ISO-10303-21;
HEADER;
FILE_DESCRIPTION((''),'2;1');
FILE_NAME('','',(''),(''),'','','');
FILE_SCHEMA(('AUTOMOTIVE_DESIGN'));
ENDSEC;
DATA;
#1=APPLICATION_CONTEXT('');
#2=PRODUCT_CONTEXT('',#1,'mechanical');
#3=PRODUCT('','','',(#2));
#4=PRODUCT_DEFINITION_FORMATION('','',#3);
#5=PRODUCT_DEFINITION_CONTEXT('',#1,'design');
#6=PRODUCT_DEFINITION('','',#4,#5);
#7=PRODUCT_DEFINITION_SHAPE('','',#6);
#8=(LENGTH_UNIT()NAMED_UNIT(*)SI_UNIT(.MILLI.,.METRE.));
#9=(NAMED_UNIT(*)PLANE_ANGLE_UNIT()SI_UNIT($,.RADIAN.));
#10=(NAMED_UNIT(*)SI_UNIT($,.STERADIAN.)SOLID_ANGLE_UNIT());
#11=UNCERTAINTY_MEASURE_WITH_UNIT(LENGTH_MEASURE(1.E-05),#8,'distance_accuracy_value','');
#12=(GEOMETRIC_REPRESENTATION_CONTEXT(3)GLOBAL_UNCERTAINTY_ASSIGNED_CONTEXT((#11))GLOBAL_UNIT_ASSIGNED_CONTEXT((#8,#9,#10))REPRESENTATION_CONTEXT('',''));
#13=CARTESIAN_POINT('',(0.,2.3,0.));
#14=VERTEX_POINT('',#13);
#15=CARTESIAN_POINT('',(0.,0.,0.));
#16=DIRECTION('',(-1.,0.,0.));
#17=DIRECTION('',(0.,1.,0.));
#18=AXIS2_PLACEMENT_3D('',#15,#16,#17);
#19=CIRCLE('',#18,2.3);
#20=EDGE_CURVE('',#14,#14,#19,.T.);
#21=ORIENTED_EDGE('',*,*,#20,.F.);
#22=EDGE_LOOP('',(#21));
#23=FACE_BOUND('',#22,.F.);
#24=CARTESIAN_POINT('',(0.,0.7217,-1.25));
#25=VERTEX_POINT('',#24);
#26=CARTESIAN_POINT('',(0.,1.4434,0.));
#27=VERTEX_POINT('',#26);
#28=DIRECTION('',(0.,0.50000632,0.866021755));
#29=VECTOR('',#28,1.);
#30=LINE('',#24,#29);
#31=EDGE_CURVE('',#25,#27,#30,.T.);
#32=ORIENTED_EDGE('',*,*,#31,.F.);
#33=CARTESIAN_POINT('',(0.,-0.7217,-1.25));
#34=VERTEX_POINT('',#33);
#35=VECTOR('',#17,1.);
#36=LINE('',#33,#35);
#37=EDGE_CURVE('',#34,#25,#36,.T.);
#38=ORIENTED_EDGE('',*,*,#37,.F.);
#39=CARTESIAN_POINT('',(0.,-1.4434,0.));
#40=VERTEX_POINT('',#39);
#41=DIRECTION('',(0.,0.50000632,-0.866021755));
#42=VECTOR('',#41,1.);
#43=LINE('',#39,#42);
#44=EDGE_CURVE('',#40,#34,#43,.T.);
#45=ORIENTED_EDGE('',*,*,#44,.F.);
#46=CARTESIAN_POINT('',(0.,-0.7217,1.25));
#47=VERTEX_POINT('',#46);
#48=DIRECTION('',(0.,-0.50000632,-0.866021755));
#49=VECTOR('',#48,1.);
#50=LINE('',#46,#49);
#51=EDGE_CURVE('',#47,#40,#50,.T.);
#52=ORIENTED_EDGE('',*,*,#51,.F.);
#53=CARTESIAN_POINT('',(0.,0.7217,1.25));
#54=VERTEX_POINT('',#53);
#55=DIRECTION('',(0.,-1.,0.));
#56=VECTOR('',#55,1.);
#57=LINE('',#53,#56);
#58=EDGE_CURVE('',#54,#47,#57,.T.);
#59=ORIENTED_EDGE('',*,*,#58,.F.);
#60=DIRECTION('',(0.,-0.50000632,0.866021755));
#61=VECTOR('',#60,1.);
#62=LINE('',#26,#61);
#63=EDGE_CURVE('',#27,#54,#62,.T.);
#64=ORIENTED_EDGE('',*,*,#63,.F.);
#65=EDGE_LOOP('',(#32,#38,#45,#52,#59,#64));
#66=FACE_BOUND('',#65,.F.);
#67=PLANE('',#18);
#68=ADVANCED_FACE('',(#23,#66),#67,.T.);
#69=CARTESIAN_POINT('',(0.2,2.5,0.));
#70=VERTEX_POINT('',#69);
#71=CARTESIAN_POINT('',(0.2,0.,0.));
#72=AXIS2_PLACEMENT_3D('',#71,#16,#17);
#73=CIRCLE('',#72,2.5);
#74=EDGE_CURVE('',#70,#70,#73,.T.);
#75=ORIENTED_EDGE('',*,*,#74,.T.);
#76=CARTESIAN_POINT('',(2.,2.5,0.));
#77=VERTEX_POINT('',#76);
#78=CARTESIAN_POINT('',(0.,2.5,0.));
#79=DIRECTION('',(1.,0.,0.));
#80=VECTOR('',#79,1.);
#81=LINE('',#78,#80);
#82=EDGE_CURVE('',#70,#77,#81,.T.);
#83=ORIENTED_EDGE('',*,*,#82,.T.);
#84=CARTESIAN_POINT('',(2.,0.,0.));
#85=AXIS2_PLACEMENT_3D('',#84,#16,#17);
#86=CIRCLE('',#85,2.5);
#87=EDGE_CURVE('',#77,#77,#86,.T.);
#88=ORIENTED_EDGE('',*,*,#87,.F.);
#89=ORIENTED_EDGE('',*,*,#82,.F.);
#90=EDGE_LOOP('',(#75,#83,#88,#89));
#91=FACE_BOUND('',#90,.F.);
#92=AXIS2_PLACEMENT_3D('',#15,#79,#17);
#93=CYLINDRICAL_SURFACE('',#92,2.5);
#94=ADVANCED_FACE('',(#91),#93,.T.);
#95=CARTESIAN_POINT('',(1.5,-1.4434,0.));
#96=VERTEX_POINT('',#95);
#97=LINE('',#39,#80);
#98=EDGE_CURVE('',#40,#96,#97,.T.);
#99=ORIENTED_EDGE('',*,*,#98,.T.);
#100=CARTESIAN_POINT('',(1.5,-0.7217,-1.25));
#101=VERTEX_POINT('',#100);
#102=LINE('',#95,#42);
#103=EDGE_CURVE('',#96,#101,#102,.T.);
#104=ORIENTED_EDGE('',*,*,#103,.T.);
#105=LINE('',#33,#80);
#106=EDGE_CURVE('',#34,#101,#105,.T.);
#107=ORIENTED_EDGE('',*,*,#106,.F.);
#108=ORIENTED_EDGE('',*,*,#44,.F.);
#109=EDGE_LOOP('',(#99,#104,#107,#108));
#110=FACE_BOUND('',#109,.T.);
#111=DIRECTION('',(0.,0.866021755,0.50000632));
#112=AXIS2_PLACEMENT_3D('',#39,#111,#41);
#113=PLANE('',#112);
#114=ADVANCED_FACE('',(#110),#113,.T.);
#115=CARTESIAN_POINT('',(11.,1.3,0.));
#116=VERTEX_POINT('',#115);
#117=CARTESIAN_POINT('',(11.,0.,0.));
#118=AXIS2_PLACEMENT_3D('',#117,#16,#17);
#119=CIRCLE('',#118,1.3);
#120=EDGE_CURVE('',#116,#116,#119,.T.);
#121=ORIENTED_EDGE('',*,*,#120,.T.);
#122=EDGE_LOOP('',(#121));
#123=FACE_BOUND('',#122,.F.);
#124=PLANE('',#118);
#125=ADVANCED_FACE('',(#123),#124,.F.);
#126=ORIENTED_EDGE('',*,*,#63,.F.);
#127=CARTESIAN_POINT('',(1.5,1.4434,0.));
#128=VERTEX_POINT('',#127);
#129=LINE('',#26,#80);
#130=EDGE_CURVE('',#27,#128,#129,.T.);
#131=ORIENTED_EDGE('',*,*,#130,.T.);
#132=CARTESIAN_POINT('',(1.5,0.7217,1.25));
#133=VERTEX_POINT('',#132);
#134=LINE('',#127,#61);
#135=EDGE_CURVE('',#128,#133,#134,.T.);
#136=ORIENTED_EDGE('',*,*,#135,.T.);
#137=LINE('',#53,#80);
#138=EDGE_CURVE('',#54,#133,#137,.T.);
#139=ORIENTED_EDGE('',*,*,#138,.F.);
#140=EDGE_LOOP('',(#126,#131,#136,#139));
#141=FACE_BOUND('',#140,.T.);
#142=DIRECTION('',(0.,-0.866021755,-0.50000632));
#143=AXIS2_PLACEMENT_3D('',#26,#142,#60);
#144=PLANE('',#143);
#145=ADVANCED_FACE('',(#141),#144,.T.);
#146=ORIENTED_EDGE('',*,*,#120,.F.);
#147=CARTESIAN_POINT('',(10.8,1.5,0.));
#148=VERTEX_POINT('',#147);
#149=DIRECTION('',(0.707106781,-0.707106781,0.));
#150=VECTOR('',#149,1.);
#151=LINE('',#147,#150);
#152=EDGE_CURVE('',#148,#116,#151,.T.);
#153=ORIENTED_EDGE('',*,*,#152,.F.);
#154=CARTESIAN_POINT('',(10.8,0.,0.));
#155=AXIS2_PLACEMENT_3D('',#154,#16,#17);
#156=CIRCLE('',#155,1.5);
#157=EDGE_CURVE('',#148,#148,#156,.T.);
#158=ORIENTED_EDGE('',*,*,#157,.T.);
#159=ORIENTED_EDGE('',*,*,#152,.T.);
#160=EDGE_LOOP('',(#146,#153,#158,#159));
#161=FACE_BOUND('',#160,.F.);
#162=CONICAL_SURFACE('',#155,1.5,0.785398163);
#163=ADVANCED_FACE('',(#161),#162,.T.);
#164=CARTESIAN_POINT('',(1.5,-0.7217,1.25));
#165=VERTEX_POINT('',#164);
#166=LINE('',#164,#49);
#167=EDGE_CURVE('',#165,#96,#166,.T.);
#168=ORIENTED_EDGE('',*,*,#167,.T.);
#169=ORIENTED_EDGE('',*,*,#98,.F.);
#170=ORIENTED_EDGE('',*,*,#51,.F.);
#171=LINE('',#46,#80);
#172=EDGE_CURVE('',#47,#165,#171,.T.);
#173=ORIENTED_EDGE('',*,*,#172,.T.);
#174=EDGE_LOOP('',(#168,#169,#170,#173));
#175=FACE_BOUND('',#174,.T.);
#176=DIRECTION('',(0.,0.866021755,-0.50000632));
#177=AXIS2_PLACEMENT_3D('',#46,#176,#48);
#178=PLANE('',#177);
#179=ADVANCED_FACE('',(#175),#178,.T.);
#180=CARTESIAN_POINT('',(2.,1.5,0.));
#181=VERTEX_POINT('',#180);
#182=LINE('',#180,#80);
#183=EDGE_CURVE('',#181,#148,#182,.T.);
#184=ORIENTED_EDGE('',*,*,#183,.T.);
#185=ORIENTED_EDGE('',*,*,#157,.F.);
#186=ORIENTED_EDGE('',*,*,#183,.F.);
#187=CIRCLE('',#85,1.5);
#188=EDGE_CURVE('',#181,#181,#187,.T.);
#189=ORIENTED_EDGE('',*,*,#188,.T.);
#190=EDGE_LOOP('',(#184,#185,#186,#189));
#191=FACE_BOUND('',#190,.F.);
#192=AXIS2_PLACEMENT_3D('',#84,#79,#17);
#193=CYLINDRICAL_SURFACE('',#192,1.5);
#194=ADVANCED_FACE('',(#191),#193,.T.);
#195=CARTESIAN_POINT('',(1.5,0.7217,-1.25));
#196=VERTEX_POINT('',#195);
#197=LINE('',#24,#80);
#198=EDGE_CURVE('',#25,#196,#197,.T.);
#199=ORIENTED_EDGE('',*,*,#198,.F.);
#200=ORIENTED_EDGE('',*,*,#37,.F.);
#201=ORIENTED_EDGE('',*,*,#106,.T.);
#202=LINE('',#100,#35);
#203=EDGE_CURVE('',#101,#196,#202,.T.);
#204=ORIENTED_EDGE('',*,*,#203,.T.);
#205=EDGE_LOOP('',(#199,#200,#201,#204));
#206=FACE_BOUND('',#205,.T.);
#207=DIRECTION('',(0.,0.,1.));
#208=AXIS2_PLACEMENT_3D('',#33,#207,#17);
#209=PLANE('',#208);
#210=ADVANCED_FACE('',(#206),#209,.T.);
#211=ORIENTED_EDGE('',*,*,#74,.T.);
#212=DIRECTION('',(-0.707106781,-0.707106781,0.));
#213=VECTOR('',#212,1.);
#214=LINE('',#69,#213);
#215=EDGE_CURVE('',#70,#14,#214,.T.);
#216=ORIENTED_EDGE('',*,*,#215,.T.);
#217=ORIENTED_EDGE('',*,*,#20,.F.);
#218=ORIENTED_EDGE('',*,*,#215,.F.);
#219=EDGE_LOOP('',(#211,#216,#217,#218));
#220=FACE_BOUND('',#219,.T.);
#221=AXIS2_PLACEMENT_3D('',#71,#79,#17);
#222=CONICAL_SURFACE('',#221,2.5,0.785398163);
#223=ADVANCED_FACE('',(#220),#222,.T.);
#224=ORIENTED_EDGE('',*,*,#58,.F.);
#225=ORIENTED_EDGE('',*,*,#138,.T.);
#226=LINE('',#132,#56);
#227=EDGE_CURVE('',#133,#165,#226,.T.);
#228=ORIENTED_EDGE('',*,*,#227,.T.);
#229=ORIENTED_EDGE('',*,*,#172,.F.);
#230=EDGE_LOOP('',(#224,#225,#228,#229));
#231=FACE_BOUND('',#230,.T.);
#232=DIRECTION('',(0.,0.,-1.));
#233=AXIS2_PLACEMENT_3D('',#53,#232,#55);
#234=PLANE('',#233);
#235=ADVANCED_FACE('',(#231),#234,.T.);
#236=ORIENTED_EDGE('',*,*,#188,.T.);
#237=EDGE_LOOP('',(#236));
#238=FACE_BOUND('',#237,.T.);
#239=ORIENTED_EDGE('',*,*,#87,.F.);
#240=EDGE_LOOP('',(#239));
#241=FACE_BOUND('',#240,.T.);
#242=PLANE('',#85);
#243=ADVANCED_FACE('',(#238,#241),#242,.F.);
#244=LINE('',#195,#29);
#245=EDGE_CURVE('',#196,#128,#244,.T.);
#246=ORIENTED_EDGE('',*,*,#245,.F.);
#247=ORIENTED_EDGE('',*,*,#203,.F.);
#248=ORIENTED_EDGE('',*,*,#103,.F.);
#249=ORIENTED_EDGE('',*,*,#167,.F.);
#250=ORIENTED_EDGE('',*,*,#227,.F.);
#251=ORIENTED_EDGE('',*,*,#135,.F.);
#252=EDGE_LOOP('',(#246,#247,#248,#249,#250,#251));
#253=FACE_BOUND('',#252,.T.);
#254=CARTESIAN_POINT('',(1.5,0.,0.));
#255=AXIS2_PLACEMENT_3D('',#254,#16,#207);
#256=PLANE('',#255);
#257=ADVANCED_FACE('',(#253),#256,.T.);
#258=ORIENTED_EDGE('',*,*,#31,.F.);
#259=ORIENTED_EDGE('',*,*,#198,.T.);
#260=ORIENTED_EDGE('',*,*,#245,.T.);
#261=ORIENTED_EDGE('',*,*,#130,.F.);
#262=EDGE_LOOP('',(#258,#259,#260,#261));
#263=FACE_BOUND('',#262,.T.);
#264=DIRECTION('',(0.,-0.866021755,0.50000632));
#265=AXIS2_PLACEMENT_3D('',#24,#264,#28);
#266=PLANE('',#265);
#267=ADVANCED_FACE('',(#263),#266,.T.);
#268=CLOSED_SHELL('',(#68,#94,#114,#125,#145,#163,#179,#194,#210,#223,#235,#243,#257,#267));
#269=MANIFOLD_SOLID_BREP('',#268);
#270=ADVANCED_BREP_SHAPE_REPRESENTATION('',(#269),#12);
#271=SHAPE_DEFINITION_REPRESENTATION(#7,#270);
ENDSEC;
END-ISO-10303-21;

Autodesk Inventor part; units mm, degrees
ref_plane "YZ Plane" through (0, 0, 0) normal (1, 0, 0) x (0, 1, 0)
ref_plane "XZ Plane" through (0, 0, 0) normal (0, 1, 0) x (-1, 0, 0)
ref_plane "XY Plane" through (0, 0, 0) normal (0, 0, 1) x (1, 0, 0)
sketch "Sketch15" plane through (0, 0, 0) normal (0, 0, 1) x (1, 0, 0)
  line L0 (0, 0) -> (0, 2.5)
  line L1 (0, 2.5) -> (2, 2.5)
  line L2 (3, 4.4) -> (3, 4.4)
  line L3 (2, 1.5) -> (11, 1.5)
  line L4 (11, 0) -> (0, 0)
  line L5 (11, 0) -> (7.2, 0)
  line L6 (2, 1.5) -> (2, 2.5)
  line L7 (11, 1.5) -> (11, 0)
  dimension "d84" = 1.5
  dimension "d87" = 2.5
  dimension "d116" = 2
  dimension "d117" = 9
revolve "Revolution1" add sketch "Sketch15" angle 360 about axis through (11, 0, 0) along (-1, 0, 0)
chamfer "Chamfer5" distance 0.2 angle 45 1 edges at (11, -1.5, 0)
thread "Thread8" size "M3x0.5" class "6g" standard "ANSI Metric M Profile" full length
sketch "Sketch20" plane through (0, 0, 0) normal (-1, 0, 0) x (0, 0, 1)
  line L0 (-1.25, 0.7217) -> (0, 1.4434)
  line L1 (0, 1.4434) -> (1.25, 0.7217)
  line L2 (1.25, 0.7217) -> (1.25, -0.7217)
  line L3 (1.25, -0.7217) -> (0, -1.4434)
  line L4 (0, -1.4434) -> (-1.25, -0.7217)
  line L5 (-1.25, -0.7217) -> (-1.25, 0.7217)
  point P0 (0, 0)
  point P1 (0, 0)
  dimension "d143" = 2.5
extrude "Extrusion19" cut sketch "Sketch20" against normal blind 1.5
chamfer "Chamfer6" distance 0.2 angle 45 1 edges at (0, -2.5, 0)
properties part number "Bolt3RH"
